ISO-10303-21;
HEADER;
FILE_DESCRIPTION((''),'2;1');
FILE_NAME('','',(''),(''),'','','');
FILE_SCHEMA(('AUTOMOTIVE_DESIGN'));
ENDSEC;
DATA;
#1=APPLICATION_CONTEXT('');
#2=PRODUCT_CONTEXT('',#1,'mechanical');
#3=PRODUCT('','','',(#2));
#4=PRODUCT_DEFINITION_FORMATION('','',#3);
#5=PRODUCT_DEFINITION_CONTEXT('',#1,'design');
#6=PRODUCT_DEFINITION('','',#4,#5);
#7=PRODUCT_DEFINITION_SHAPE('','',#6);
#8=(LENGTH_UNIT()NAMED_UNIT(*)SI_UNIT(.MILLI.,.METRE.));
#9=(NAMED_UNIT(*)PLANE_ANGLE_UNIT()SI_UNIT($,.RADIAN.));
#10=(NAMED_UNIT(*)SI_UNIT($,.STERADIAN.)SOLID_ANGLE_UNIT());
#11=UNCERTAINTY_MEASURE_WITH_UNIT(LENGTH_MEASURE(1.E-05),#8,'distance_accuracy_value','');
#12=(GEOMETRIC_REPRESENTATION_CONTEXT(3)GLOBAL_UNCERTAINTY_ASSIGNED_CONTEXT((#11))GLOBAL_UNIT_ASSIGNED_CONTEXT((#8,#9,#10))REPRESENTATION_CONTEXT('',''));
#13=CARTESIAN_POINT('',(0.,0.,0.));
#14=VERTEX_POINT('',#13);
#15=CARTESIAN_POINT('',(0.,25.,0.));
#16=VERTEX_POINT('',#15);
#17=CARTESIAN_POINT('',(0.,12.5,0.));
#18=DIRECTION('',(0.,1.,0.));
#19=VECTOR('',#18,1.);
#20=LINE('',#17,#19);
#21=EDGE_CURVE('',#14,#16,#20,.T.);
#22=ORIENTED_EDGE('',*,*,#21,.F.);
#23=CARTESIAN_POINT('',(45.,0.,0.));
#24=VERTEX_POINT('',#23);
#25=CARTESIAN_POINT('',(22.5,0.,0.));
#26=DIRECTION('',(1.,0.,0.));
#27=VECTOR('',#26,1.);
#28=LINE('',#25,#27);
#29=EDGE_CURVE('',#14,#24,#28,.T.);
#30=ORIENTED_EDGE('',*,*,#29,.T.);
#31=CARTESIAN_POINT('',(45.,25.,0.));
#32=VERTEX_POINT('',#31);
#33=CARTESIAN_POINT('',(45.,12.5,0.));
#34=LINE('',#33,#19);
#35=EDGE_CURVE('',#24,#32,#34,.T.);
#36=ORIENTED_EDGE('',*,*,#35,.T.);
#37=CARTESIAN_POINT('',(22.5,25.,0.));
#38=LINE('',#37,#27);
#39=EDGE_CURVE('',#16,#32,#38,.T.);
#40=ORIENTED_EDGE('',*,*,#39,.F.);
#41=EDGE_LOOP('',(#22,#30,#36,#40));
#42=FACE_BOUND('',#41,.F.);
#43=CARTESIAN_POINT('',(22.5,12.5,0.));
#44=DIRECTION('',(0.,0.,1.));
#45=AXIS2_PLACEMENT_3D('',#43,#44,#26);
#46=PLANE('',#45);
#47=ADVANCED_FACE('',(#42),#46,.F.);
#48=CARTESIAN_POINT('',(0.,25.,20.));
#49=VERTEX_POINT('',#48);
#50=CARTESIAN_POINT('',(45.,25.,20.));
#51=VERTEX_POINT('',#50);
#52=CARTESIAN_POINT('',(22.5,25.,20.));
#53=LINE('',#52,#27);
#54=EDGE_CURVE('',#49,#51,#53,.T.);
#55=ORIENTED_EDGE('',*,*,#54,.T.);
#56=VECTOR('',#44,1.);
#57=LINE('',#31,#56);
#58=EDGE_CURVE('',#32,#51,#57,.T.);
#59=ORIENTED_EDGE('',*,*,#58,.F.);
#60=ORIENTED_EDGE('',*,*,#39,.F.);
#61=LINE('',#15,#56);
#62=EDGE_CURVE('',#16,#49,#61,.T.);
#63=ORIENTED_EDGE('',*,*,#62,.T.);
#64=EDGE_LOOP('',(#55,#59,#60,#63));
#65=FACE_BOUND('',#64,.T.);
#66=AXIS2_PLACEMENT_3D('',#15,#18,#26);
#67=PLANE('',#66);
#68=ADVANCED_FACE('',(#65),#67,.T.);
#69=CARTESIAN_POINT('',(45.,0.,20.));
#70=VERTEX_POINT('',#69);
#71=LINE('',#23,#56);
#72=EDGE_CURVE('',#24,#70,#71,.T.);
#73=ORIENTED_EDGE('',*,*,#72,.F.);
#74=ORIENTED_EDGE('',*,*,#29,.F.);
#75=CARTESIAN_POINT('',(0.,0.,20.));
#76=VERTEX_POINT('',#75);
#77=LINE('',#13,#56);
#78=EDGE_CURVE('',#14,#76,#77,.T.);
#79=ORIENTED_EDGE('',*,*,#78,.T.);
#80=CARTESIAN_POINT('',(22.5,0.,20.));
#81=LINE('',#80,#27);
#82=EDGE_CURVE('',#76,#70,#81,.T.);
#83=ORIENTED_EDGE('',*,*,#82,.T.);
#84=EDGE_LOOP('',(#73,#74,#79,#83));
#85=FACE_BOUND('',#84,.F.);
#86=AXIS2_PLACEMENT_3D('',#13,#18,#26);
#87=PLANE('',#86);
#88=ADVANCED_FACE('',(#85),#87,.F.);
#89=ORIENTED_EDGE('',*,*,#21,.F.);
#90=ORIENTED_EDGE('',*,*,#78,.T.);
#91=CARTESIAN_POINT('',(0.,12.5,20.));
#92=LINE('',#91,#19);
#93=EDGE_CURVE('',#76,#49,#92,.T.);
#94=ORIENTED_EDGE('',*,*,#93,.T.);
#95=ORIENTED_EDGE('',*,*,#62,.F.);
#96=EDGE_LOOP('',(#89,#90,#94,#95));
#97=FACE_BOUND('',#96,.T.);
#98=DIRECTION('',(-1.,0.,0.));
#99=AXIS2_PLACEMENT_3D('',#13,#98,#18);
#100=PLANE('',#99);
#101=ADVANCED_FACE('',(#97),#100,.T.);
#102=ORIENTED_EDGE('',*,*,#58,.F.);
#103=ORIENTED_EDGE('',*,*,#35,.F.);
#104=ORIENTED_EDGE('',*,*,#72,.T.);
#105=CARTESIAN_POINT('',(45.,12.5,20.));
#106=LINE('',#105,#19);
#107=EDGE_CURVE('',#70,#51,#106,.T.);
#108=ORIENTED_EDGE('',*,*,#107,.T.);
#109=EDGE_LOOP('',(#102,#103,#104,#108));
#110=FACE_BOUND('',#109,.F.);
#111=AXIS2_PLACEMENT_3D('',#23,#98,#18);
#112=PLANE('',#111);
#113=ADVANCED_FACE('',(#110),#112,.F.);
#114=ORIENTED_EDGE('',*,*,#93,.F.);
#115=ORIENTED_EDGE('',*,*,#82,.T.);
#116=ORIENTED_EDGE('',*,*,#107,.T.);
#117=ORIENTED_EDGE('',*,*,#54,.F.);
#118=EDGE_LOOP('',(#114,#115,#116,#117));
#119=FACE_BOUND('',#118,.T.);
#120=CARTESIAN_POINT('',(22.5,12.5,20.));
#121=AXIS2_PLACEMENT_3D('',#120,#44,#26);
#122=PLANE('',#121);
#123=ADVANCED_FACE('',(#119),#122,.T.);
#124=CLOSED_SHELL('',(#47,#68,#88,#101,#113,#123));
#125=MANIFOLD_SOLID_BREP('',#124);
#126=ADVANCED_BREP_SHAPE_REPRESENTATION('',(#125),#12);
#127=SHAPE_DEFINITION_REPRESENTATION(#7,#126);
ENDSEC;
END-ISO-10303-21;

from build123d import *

# Parameters (mm, degrees)
SKETCH_W  = 45
SKETCH_H  = 25
PAD_DEPTH = 20


with BuildPart() as part:
    # Sketch → Pad (new body)
    with BuildSketch(Plane.XY):
        with Locations((22.5, 12.5)):
            Rectangle(SKETCH_W, SKETCH_H)
    extrude(amount=PAD_DEPTH)


solid = part.part
